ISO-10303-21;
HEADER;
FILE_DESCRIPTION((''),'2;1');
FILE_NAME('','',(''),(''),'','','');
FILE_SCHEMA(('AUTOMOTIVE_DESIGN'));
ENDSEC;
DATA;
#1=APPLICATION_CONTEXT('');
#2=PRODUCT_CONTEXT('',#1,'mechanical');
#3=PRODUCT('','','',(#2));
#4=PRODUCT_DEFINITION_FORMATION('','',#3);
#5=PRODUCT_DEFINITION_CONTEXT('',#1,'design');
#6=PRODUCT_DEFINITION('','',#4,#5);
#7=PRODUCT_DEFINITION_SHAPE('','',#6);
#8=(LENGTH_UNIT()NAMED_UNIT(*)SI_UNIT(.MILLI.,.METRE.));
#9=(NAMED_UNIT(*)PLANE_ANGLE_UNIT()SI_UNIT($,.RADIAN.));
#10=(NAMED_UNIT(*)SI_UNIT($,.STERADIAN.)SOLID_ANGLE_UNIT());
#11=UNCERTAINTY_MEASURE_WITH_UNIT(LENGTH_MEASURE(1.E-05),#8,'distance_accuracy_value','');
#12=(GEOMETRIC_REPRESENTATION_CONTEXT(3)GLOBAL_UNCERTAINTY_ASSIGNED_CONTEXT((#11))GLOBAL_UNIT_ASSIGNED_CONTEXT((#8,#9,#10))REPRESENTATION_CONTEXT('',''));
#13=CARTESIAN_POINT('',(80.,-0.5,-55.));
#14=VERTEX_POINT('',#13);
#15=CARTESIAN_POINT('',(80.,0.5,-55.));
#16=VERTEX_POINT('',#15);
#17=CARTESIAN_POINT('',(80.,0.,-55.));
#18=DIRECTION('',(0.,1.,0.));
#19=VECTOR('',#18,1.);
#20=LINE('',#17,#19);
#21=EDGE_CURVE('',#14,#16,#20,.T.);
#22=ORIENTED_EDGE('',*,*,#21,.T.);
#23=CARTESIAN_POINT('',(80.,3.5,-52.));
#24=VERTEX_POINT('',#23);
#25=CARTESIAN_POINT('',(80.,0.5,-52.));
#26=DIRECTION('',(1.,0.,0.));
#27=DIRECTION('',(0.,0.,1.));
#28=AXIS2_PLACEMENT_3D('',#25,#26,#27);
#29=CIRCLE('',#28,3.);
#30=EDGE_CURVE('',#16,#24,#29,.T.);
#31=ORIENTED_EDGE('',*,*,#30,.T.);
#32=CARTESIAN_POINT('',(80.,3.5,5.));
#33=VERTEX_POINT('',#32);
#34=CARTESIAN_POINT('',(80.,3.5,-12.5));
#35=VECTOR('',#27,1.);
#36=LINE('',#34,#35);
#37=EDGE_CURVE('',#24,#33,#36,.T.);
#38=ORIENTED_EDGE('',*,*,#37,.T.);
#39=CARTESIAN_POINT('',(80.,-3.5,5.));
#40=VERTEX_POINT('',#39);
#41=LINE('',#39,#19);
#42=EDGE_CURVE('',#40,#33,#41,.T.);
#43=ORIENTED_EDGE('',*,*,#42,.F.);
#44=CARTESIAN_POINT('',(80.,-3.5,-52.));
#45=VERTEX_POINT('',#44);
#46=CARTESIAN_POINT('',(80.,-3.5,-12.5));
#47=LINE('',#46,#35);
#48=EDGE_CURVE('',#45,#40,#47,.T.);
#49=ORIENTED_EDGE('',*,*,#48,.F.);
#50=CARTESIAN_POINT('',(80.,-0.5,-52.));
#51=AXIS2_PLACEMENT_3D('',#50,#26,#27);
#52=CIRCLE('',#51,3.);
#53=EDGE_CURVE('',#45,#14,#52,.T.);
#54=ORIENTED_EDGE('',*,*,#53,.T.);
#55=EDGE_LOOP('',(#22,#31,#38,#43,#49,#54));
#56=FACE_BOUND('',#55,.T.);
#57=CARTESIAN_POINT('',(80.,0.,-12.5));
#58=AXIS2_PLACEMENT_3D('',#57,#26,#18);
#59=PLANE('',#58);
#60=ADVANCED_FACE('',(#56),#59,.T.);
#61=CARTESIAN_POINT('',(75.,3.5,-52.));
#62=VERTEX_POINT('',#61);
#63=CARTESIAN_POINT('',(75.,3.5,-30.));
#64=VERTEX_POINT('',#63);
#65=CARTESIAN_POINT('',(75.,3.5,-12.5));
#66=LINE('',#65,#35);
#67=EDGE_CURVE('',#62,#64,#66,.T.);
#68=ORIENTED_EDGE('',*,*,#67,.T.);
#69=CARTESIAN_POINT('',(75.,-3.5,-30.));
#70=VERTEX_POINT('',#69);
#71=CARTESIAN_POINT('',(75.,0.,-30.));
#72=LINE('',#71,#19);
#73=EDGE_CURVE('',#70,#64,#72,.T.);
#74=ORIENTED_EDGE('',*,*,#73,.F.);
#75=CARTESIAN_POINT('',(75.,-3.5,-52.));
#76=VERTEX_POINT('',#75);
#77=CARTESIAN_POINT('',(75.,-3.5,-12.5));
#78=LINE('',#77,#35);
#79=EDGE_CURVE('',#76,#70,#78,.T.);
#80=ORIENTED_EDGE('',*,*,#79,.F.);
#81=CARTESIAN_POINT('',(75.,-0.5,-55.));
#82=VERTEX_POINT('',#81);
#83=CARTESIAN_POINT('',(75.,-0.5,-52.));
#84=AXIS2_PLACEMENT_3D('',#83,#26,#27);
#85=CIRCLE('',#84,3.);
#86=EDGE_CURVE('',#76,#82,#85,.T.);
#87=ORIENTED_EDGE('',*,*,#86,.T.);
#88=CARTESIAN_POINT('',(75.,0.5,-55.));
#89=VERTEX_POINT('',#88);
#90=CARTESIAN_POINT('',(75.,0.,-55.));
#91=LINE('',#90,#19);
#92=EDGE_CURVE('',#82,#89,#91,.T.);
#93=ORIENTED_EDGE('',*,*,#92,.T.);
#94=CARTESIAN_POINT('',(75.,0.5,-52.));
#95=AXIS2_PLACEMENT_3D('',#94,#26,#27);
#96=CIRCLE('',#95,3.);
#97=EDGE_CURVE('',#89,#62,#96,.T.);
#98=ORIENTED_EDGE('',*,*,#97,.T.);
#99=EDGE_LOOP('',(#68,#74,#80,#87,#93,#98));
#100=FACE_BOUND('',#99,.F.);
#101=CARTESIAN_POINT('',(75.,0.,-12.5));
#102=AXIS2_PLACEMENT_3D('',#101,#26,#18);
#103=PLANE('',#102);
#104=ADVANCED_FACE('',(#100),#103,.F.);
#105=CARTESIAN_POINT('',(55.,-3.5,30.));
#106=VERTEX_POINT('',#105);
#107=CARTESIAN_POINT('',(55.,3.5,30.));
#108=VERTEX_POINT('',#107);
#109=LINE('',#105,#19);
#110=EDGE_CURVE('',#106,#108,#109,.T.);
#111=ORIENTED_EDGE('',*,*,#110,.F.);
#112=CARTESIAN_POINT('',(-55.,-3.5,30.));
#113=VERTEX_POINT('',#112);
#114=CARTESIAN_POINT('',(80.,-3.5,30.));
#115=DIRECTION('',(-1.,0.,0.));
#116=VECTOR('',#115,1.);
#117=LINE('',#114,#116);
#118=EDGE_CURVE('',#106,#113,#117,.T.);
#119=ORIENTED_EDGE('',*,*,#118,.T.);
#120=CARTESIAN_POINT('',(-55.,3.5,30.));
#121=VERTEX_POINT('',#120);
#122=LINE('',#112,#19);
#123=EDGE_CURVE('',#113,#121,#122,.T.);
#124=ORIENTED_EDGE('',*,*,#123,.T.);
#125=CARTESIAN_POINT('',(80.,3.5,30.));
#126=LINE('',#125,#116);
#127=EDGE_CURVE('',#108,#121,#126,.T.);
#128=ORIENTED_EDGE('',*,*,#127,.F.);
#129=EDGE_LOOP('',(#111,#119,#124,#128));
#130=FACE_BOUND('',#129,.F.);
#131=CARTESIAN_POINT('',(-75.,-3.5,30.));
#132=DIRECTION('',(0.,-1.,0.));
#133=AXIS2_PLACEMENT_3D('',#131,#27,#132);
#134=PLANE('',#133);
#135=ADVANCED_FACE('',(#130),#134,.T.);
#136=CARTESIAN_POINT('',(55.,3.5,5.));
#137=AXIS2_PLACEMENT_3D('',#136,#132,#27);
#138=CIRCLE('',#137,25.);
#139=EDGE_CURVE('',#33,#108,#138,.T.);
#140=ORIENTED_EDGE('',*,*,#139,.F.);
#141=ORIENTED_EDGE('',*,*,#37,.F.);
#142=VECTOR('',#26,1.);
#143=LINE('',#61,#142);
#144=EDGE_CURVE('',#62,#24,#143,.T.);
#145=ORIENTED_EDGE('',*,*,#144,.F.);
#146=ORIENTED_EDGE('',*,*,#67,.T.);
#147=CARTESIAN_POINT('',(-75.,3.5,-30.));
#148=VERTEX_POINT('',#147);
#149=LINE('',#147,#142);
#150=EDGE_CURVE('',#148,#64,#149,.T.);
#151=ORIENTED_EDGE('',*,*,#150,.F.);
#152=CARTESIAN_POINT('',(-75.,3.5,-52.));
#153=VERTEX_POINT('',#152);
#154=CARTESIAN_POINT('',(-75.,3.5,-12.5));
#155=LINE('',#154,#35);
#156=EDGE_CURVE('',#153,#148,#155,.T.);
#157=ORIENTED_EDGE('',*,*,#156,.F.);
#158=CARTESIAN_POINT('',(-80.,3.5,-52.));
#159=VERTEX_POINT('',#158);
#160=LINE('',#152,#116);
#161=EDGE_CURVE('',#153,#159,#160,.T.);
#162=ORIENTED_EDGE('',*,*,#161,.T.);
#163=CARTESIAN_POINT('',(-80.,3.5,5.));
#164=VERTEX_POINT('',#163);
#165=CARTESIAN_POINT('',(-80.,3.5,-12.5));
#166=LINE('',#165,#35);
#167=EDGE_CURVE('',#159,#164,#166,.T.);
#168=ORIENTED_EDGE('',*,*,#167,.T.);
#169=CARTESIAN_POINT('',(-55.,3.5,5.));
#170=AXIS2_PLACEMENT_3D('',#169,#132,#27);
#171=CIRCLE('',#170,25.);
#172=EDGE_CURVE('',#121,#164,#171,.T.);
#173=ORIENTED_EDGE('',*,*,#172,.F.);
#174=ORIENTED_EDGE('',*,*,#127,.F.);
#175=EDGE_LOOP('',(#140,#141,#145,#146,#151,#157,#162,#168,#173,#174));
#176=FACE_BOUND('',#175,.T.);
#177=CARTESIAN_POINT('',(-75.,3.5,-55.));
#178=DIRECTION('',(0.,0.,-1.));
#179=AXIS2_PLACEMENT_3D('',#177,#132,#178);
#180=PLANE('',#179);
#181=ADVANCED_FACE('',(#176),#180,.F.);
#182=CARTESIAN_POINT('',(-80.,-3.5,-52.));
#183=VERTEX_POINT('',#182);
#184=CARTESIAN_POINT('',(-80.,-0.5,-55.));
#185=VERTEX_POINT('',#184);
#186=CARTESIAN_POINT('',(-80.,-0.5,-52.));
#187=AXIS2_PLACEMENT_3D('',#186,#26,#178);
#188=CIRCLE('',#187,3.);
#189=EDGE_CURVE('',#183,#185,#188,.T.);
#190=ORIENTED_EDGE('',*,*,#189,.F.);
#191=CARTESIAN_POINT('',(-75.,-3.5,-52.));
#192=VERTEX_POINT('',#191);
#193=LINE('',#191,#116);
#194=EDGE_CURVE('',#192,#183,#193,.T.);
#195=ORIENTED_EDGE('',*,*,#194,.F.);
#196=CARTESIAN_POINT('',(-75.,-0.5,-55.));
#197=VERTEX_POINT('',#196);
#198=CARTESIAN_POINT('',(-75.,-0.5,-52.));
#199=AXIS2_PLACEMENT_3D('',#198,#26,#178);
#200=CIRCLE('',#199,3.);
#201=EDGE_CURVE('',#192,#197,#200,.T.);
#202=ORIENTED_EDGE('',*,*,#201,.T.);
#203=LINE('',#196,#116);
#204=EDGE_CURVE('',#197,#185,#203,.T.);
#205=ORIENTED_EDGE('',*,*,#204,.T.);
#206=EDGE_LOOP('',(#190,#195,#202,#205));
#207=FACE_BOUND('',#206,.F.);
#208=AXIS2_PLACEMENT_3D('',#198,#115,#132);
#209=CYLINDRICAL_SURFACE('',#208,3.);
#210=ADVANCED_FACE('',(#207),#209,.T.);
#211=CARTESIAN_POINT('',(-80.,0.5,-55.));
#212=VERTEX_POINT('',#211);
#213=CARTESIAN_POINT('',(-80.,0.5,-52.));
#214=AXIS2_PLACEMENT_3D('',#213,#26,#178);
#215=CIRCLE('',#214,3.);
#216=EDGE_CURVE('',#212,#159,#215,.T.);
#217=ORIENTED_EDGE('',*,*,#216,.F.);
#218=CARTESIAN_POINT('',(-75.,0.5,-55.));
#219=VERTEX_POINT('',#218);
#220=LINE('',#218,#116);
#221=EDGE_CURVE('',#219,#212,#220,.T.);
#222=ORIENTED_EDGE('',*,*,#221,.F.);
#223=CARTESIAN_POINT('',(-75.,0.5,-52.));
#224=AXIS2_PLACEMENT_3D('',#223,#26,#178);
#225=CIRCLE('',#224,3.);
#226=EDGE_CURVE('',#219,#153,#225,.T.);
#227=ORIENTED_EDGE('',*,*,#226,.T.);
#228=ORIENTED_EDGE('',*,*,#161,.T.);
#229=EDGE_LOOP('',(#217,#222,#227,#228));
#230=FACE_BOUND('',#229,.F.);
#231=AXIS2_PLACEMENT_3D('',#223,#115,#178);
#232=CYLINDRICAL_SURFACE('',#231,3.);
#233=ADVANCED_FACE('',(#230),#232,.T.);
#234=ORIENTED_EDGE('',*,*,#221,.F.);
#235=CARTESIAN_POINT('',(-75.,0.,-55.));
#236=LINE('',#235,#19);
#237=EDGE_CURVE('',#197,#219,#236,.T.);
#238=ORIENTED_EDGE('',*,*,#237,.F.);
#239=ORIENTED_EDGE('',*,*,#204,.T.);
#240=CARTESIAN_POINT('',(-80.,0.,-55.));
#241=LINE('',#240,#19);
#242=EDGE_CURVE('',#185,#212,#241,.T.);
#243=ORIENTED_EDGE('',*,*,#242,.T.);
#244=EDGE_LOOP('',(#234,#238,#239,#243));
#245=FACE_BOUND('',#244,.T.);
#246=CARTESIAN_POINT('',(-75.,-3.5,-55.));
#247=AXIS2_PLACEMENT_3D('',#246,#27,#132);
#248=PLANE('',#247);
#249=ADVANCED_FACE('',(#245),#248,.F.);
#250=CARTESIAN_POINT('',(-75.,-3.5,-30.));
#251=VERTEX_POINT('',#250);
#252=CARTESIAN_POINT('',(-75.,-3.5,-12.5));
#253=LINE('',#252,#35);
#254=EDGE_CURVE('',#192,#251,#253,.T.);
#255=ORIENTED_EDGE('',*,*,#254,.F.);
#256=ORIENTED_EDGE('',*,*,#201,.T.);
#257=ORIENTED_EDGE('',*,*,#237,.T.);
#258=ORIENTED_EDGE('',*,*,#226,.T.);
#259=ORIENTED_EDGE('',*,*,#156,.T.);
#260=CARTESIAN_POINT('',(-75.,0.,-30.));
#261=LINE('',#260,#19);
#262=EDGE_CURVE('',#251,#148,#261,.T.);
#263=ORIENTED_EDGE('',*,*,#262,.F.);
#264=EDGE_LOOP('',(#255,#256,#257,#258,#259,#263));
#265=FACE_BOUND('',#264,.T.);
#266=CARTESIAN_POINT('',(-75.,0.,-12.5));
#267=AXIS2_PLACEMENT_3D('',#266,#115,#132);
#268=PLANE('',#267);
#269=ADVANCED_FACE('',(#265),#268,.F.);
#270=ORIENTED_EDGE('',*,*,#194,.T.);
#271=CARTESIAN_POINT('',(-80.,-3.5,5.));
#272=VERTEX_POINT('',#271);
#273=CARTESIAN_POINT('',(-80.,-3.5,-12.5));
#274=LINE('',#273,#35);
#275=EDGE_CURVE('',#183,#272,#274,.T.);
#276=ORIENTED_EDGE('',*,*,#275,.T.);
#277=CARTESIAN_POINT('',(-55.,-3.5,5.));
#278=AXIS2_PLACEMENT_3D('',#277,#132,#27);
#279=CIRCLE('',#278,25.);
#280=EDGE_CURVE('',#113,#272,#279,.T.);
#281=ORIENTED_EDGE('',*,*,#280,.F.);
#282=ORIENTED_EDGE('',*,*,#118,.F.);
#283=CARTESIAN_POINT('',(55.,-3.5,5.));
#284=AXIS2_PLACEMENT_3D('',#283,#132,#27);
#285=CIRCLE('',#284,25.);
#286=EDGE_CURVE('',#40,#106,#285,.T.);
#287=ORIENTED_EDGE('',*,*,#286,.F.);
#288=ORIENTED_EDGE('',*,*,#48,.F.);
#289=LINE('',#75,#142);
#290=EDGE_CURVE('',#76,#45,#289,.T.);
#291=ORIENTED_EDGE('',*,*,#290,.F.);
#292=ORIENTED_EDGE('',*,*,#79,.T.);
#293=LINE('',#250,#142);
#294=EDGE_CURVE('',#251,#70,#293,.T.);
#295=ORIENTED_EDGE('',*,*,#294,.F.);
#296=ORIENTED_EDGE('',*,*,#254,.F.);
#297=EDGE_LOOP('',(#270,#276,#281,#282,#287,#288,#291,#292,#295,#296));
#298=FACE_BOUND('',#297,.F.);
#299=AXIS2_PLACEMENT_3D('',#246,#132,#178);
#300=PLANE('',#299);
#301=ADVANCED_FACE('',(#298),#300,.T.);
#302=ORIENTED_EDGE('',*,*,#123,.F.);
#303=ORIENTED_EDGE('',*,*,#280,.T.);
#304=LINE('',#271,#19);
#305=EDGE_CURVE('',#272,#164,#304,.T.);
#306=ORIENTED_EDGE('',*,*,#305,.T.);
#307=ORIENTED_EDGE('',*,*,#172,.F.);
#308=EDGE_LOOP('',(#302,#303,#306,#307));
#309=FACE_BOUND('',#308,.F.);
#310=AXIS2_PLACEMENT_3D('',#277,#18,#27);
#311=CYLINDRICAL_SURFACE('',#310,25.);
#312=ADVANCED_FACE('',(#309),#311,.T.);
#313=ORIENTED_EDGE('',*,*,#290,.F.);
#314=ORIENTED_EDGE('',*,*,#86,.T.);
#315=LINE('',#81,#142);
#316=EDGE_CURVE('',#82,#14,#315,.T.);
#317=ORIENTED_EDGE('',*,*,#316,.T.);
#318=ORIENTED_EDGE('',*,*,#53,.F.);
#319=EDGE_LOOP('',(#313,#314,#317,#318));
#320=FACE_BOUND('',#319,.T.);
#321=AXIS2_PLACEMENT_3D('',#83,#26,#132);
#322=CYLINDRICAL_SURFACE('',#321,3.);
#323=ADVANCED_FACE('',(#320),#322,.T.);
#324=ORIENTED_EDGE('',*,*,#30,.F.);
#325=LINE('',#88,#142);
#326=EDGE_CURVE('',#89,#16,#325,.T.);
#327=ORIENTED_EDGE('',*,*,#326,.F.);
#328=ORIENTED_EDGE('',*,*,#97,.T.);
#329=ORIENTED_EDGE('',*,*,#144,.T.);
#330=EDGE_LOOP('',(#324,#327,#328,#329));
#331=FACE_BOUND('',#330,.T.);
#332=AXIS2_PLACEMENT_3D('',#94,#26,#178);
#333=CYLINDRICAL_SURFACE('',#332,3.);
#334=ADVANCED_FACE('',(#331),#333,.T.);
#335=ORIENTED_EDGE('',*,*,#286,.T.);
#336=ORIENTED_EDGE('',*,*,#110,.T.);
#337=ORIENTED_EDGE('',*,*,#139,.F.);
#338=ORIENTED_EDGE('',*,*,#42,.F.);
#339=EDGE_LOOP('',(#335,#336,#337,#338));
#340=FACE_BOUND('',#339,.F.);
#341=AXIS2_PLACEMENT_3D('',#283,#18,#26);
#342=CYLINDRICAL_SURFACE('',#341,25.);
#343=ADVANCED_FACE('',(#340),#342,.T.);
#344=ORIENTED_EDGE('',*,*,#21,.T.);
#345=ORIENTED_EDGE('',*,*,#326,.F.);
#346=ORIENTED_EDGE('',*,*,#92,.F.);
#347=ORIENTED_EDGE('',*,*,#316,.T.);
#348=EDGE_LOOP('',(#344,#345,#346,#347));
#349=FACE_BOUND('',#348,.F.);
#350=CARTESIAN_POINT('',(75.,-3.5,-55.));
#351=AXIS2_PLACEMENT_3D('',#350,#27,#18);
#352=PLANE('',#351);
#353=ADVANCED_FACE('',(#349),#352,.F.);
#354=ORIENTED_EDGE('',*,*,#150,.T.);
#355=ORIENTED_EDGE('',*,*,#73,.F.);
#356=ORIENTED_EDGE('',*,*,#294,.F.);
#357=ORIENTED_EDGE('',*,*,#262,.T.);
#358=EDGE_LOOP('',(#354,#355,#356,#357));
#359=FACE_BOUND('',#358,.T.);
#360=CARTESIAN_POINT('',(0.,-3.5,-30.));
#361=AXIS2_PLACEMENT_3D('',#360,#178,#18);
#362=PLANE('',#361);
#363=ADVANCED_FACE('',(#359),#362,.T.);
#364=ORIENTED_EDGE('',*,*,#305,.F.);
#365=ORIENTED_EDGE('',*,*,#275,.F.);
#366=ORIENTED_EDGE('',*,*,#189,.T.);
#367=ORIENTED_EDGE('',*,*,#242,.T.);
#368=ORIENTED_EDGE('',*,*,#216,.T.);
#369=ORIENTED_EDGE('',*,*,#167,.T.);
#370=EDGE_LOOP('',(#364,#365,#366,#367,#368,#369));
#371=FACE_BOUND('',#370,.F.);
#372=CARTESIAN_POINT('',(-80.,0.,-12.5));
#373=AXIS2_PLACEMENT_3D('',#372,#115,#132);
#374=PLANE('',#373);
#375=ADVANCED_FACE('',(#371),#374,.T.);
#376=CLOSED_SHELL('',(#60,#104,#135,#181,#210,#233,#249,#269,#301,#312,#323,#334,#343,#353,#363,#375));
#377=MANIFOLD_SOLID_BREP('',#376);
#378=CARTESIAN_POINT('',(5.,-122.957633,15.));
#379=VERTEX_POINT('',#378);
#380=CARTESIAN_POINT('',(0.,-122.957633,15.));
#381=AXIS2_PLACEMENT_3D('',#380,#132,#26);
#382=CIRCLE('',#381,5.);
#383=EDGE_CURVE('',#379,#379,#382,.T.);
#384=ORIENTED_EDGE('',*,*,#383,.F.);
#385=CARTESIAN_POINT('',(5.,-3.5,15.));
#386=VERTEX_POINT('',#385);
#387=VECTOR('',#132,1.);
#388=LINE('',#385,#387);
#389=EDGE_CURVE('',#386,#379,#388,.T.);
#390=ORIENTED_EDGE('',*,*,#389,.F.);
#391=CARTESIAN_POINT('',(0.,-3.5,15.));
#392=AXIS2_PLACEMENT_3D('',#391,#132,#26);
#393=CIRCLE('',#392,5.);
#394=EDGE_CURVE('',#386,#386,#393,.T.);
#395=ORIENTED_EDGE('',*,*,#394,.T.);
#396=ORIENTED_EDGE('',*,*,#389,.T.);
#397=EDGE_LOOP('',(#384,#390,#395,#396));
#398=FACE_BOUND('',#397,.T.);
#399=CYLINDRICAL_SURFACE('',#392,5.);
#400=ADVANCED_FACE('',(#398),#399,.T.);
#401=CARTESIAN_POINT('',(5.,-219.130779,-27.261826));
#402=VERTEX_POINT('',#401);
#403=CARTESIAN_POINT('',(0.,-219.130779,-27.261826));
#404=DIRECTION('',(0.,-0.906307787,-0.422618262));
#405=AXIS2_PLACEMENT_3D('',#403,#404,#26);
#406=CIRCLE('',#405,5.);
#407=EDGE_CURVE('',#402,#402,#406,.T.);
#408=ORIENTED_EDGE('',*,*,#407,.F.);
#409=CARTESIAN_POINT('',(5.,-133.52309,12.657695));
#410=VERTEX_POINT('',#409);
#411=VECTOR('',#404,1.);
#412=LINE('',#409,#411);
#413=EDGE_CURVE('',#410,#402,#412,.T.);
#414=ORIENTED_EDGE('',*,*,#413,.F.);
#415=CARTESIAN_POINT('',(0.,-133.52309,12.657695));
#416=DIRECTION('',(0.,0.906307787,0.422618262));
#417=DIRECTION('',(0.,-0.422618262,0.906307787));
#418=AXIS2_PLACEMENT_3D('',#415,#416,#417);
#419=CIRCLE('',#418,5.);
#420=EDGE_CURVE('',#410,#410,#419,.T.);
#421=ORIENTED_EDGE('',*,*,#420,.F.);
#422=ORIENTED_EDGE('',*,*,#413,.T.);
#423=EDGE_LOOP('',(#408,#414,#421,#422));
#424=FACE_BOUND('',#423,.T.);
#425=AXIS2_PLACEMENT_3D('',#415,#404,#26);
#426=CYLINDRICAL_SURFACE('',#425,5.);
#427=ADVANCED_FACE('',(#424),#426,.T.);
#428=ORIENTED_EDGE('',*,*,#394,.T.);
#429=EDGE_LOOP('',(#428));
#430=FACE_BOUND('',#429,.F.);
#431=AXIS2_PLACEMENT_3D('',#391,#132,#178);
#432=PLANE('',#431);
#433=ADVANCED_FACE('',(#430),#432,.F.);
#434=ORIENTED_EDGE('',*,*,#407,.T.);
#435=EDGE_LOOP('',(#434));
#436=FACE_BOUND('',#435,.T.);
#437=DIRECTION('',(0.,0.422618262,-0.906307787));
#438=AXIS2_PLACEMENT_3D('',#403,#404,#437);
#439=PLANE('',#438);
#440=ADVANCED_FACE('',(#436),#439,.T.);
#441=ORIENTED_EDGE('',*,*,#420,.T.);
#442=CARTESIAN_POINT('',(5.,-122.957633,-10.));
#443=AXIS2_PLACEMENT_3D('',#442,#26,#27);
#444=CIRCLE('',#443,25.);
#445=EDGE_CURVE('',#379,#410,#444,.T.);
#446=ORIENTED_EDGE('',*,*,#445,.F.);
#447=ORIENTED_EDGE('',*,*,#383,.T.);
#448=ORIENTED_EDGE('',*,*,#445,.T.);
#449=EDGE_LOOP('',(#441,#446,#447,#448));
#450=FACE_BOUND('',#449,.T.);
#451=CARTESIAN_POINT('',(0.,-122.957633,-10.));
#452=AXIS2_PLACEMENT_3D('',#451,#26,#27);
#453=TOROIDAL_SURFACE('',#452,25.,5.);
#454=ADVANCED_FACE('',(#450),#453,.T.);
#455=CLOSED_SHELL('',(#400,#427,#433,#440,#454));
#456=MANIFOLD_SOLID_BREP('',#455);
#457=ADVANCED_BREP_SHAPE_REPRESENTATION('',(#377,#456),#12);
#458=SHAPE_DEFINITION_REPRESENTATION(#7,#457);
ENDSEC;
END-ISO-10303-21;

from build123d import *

# Parameters (mm, degrees)
F0_W          = 7
F0_H          = 60
F1_DEPTH      = 75
F1_DEPTH_BACK = 75
F2_W          = 7
F2_H          = 85
F3_DEPTH      = 5
F5_R          = 25
F6_R          = 3
F7_R          = 5


with BuildPart() as f1:
    # F0 (on Right) → F1 (new body, two sides)
    with BuildSketch(Plane.YZ) as f1_sk:
        Rectangle(F0_W, F0_H)
    extrude(amount=F1_DEPTH)
    extrude(f1_sk.sketch, amount=-F1_DEPTH_BACK)

    # F2 (on face) → F3 (join)
    with BuildSketch(Plane.YZ.offset(75)):
        with Locations((0, -12.5)):
            Rectangle(F2_W, F2_H)
    extrude(amount=F3_DEPTH)

    # F4: F1 across plane


with BuildPart() as f1_1:
    add(f1.part)
    add(f1.part.mirror(Plane.YZ))

    # F5
    f5_edges = [f1_1.edges().sort_by_distance(p)[0] for p in [
        (-80, 0, 30),
        (80, 0, 30),
    ]]
    fillet(f5_edges, radius=F5_R)

    # F6
    f6_edges = [f1_1.edges().sort_by_distance(p)[0] for p in [
        (-77.5, -3.5, -55),
        (77.5, -3.5, -55),
        (-77.5, 3.5, -55),
        (77.5, 3.5, -55),
    ]]
    fillet(f6_edges, radius=F6_R)


with BuildPart() as f9:
    # F9: sweep along a path in F8
    with BuildLine(Plane.YZ) as f9_path:
        Line((-3.5, 15), (-122.9576334339, 15))
        ThreePointArc((-122.9576334339, 15), (-128.3686237824, 14.407400178), (-133.5230899774, 12.6576946759))
        Line((-133.5230899774, 12.6576946759), (-219.1307787037, -27.2618261741))
    # F7 (on face) → F9 (sweep)
    with BuildSketch(Plane.XZ.offset(3.5)):
        with Locations((0, 15)):
            Circle(F7_R)
    sweep(path=f9_path.line)


solid = Compound([f1_1.part, f9.part])
